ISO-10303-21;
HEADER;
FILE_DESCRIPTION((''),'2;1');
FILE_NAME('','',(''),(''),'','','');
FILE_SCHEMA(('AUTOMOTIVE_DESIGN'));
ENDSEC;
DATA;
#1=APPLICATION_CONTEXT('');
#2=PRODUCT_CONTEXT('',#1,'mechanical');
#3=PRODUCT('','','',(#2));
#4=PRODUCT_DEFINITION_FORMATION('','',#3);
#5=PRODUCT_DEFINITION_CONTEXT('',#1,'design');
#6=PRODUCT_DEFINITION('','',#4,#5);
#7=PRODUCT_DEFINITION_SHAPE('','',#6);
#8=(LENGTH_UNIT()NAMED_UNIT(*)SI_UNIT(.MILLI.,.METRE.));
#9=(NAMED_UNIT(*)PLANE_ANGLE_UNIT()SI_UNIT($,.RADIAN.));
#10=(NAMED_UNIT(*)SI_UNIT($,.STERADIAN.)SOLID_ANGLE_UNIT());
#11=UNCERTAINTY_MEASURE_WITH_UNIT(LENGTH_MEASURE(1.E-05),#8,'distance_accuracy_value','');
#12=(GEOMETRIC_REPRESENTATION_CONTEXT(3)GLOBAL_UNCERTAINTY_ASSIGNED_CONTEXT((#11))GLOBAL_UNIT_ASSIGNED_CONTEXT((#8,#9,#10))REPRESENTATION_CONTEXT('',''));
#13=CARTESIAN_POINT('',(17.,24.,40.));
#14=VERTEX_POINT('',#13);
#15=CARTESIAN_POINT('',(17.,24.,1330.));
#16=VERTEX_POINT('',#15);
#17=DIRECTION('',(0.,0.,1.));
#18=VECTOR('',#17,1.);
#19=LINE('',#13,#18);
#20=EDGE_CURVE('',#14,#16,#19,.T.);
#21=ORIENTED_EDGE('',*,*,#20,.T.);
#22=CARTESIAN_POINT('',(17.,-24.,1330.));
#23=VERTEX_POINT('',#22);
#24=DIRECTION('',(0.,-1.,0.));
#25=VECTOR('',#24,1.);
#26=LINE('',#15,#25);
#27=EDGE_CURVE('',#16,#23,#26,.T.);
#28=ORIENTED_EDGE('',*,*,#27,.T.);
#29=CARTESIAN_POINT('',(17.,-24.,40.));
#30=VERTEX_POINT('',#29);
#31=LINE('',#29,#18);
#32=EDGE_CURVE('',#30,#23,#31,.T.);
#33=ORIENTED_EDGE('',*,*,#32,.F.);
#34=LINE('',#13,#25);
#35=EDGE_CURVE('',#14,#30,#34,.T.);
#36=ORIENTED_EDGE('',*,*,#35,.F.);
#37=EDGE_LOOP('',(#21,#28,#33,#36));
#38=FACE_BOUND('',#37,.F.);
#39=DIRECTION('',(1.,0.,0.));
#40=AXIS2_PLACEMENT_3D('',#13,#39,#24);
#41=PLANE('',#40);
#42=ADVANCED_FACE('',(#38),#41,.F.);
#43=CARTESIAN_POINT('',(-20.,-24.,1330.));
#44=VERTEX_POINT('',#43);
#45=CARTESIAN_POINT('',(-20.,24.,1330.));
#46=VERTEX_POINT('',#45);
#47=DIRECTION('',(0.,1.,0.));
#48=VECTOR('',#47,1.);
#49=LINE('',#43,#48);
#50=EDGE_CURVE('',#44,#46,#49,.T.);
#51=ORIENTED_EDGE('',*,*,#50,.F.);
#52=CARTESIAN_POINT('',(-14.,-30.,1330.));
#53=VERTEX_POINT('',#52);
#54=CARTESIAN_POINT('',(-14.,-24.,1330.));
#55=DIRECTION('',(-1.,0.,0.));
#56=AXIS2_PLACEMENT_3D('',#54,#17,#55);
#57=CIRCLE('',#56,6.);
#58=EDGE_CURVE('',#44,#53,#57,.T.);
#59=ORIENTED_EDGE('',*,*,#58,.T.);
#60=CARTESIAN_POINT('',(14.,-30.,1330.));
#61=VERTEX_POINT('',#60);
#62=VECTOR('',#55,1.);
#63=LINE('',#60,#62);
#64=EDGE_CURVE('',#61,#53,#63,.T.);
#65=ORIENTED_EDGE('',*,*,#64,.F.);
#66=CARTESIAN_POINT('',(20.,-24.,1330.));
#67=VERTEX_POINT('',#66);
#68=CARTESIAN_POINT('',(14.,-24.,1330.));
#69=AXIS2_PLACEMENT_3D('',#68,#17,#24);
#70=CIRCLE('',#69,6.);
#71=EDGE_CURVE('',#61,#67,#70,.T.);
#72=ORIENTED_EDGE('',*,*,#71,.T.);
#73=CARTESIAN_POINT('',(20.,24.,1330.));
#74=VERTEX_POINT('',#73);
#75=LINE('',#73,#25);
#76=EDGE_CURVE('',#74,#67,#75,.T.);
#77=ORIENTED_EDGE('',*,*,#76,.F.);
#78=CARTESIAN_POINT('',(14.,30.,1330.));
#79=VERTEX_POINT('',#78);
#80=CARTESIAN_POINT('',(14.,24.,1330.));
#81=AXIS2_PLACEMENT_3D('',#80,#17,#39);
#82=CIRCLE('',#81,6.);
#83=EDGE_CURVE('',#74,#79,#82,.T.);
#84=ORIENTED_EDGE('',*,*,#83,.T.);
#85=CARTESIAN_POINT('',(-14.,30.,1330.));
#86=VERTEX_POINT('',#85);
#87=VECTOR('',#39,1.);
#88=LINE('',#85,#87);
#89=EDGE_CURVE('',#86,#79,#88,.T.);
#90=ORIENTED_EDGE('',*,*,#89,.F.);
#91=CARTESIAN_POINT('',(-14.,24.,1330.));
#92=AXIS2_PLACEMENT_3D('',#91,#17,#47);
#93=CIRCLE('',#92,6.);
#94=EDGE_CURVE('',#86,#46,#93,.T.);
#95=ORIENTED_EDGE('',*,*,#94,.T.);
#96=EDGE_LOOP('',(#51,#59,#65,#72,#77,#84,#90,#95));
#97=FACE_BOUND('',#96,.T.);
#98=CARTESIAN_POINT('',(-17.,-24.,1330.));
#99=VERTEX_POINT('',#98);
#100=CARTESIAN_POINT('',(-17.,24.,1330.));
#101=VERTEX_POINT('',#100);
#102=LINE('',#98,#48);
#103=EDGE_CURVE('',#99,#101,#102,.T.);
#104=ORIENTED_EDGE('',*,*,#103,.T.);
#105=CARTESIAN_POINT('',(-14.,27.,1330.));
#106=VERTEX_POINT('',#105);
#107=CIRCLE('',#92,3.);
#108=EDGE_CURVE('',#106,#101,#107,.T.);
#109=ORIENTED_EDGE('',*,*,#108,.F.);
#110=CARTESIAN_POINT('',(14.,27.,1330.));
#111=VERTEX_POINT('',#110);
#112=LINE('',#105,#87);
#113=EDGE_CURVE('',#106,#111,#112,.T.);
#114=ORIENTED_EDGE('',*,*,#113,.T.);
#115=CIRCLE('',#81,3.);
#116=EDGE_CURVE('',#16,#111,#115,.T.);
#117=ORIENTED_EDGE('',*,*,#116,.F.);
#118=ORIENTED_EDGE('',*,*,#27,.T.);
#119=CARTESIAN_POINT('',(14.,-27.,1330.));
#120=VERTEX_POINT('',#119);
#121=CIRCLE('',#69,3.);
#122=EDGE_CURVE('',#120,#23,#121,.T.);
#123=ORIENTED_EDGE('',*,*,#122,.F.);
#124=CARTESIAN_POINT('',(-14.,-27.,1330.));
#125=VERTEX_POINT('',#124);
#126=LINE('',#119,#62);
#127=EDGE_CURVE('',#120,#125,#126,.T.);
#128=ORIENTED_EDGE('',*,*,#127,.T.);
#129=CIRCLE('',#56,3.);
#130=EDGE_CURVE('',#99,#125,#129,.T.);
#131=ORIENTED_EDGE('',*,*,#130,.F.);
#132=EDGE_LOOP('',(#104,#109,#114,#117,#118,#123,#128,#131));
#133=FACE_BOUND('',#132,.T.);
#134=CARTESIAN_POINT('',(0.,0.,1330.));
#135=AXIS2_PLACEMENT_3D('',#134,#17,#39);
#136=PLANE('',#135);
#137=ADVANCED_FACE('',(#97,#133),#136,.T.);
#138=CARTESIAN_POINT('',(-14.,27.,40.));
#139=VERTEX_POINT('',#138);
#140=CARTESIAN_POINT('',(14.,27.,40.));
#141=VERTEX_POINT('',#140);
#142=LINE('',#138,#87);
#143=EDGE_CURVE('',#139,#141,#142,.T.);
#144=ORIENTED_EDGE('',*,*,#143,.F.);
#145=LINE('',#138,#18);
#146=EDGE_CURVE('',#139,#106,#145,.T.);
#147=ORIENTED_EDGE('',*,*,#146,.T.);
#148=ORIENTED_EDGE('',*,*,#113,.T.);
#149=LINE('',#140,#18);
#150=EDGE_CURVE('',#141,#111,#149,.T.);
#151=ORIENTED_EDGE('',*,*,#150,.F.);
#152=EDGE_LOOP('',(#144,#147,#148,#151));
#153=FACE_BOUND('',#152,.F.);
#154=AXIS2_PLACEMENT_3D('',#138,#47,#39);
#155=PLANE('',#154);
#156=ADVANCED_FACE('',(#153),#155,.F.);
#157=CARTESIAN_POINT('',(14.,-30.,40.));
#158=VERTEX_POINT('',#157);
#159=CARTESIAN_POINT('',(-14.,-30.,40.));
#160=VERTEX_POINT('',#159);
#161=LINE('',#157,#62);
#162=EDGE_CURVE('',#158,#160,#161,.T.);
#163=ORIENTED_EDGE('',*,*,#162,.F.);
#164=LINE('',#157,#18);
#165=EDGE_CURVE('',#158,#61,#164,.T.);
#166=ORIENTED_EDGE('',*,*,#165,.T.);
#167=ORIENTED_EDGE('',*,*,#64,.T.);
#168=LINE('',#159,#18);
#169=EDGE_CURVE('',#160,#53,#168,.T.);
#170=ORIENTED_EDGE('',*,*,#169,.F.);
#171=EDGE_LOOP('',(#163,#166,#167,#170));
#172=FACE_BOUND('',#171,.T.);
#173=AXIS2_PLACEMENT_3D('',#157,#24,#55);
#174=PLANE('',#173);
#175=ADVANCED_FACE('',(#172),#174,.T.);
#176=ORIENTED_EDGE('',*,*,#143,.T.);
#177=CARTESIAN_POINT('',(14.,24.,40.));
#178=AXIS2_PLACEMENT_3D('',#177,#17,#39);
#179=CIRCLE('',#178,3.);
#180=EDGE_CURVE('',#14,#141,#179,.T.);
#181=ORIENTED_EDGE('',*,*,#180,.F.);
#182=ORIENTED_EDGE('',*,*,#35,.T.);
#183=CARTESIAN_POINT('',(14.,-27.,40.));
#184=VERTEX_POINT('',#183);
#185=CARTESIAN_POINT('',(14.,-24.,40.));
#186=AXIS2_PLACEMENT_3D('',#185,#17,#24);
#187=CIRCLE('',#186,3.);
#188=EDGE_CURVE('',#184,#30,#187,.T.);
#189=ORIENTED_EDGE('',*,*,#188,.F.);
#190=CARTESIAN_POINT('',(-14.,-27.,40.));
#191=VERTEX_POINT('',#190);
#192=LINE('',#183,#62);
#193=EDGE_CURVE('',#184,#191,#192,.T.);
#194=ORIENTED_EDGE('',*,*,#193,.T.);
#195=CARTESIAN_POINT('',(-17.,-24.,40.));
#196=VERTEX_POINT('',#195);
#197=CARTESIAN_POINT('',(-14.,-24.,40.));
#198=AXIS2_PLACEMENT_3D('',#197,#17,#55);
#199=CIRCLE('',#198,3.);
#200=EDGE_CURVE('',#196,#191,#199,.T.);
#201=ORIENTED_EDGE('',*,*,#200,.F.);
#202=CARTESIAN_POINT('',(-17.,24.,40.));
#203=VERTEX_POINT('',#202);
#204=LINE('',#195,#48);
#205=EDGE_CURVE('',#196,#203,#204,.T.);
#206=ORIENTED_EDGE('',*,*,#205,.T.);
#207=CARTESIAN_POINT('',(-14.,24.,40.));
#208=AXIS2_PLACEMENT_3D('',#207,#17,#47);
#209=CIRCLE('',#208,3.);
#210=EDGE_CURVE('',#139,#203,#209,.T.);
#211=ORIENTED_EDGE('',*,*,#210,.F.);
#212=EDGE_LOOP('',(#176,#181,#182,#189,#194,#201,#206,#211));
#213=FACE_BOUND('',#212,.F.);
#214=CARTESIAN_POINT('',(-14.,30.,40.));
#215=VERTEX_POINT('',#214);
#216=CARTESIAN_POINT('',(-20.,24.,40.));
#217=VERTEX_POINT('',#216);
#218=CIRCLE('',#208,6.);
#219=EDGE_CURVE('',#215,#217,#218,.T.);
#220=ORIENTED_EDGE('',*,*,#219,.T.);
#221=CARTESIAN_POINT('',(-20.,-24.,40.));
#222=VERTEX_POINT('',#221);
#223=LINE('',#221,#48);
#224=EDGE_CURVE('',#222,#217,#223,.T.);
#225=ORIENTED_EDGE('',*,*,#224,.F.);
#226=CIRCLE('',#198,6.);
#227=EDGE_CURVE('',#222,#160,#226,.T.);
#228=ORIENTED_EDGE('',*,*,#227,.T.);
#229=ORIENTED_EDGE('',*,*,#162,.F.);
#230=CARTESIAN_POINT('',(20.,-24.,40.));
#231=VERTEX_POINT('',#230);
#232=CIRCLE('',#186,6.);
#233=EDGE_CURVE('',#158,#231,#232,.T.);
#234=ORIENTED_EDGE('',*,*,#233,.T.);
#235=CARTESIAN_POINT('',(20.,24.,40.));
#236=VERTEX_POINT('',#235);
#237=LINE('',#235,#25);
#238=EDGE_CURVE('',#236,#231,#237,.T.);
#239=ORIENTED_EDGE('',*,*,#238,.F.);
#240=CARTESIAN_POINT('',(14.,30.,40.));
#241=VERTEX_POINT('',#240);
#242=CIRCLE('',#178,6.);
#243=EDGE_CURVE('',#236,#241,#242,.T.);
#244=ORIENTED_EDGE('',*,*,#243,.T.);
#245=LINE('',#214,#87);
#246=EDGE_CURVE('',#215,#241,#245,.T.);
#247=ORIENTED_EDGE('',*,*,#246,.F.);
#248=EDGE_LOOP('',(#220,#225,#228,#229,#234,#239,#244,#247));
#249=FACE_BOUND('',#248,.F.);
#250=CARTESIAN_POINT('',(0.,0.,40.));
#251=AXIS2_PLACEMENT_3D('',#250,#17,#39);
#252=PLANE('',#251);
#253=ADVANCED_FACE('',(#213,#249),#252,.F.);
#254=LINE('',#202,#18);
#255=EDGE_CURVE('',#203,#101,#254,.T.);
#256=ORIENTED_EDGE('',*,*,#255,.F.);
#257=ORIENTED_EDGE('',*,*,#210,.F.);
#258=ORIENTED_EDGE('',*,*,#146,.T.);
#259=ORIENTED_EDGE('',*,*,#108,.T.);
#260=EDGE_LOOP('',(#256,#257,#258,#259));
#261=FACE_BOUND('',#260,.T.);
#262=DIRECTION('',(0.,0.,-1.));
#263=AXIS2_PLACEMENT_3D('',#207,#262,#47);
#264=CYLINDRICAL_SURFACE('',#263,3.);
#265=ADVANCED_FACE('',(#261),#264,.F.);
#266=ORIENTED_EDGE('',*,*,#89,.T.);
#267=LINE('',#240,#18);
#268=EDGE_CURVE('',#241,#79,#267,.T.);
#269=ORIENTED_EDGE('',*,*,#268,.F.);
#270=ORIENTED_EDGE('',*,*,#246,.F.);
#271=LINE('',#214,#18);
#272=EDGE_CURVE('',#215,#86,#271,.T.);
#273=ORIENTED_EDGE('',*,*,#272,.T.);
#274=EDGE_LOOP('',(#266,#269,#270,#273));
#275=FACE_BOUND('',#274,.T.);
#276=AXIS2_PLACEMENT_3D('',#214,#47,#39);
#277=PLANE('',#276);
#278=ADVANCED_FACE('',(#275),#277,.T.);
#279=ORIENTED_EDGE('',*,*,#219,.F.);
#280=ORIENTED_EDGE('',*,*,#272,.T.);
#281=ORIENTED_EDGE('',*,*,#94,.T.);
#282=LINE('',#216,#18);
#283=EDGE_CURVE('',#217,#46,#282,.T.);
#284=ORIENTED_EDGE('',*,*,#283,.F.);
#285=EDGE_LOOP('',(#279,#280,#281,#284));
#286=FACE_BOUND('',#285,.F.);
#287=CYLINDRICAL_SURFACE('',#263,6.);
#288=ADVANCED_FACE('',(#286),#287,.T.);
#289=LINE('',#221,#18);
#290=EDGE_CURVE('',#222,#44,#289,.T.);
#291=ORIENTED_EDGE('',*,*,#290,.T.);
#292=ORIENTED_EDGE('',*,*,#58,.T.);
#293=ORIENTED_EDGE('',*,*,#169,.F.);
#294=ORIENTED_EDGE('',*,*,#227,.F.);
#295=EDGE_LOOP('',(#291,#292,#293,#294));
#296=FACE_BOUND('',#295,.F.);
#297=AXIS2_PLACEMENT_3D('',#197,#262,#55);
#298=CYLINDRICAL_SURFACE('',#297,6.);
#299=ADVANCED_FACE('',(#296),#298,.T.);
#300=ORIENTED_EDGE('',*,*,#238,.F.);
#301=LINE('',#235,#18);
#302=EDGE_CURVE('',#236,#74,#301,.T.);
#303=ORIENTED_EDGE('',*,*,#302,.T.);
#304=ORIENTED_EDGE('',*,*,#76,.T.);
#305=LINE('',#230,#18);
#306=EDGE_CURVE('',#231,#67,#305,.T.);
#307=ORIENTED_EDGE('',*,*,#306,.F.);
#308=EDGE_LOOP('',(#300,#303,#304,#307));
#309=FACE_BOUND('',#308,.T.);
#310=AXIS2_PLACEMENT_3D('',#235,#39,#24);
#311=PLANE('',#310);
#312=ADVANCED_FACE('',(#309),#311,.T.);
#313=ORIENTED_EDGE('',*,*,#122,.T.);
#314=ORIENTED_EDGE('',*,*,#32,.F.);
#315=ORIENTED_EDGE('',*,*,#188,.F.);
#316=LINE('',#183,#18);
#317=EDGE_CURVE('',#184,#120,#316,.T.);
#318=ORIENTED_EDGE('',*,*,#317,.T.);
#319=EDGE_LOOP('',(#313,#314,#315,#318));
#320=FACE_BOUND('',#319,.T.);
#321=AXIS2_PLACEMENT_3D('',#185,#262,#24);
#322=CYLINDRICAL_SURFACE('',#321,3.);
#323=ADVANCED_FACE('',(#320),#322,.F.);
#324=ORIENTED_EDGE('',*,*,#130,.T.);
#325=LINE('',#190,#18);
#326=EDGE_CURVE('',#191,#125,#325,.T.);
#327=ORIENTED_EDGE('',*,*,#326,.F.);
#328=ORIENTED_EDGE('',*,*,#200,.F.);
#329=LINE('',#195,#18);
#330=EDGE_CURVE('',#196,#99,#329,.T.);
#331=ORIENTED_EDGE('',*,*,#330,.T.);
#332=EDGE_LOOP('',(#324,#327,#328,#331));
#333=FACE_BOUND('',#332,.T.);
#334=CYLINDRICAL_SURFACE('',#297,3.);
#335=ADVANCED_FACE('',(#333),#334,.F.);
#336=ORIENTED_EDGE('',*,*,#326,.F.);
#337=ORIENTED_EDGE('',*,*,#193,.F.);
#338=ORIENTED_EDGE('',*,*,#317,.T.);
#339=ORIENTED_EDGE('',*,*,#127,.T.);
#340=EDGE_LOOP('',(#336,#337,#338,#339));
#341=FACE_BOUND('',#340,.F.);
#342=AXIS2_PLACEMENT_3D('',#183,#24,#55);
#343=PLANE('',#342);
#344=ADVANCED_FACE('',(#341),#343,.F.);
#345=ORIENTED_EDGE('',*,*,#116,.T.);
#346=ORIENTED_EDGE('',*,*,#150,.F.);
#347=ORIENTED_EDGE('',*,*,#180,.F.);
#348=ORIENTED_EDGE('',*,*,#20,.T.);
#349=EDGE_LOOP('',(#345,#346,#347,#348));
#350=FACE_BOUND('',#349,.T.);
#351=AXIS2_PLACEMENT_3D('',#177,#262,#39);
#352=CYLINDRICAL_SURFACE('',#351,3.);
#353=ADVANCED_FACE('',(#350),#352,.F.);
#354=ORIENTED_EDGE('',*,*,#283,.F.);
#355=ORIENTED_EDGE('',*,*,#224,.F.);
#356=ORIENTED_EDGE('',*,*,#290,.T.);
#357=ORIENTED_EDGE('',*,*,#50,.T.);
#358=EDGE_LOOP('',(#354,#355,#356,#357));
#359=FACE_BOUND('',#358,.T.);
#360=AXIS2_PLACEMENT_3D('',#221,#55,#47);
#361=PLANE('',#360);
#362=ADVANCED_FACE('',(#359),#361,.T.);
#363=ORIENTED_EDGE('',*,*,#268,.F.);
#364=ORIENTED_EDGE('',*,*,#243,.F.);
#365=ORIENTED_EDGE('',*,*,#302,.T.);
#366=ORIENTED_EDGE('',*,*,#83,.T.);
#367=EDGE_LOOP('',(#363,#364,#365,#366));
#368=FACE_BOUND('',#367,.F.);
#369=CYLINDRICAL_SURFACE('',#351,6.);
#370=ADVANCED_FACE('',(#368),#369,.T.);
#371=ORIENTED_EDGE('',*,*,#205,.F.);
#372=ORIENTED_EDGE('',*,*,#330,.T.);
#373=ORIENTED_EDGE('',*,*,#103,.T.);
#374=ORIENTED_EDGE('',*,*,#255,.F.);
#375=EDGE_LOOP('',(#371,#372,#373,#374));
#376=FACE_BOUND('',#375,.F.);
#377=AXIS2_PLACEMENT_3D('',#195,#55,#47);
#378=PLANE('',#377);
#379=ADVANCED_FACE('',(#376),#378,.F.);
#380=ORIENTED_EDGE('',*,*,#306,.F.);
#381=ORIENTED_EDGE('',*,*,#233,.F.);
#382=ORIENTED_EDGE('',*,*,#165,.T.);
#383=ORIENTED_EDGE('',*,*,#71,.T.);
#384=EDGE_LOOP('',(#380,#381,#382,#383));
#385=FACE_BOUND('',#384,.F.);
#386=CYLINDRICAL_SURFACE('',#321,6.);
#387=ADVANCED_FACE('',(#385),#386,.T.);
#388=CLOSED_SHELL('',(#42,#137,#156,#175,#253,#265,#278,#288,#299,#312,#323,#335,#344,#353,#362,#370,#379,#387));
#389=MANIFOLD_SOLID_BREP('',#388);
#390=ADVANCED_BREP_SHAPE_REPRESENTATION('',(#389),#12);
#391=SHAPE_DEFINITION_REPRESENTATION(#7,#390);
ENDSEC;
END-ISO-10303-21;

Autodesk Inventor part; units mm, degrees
ref_plane "YZ Plane" through (0, 0, 0) normal (1, 0, 0) x (0, 1, 0)
ref_plane "Start Plane" through (0, 0, 40) normal (0, 0, 1) x (1, 0, 0)
ref_plane "End Plane" through (0, 0, 1330) normal (0, 0, 1) x (1, 0, 0)
sketch "Sketch" plane through (0, 0, 0) normal (0, 0, 1) x (1, 0, 0)
  line L0 (-20, -24) -> (-20, 24)
  line L1 (-14, 30) -> (14, 30)
  line L2 (20, 24) -> (20, -24)
  line L3 (14, -30) -> (-14, -30)
  arc A0 (-20, -24) -> (-14, -30) centre (-14, -24) ccw
  arc A1 (20, 24) -> (14, 30) centre (14, 24) ccw
  arc A2 (-14, 30) -> (-20, 24) centre (-14, 24) ccw
  arc A3 (14, -30) -> (20, -24) centre (14, -24) ccw
  arc A4 (-14, 27) -> (-17, 24) centre (-14, 24) ccw
  line L4 (-14, 27) -> (14, 27)
  arc A5 (17, 24) -> (14, 27) centre (14, 24) ccw
  line L5 (17, 24) -> (17, -24)
  arc A6 (14, -27) -> (17, -24) centre (14, -24) ccw
  line L6 (14, -27) -> (-14, -27)
  arc A7 (-17, -24) -> (-14, -27) centre (-14, -24) ccw
  line L7 (-17, -24) -> (-17, 24)
  line L8 (0, 43.7397) -> (0, -43.7397) construction
  line L9 (-29.7397, 0) -> (29.7397, 0) construction
  dimension "d7" = 6
  dimension "d9" = 40
  dimension "d11" = 60
  dimension "d12" = 3
  dimension "d15" = 20
  dimension "d16" = 30
extrude "Body" add sketch "Sketch" along normal up to surface (1290 mm away) from surface at 40
sketch "Sketch3" plane through (0, 0, 0) normal (0, 0, 1) x (1, 0, 0)
  line L0 (0, 0) -> (10, 0)
ref_plane "Work Plane3" through (0, 0, 0) normal (0, -1, 0) x (1, 0, 0)
sketch "Sketch4" plane through (0, 0, 0) normal (0, -1, 0) x (1, 0, 0)
  line L0 (-2, 40) -> (12, 40) projected
  line L1 (-2, 1330) -> (12, 1330) projected
  dimension "d18" = 1290
equation "\"d7\" = G_IR"
equation "\"d9\" = G_W"
equation "\"d11\" = G_H"
equation "\"d12\" = G_T"
equation "\"d15\" = 0.5 * d9"
equation "\"d16\" = 0.5 * d11"
equation "\"d3\" = G_L"
equation "\"G_W\" = 40"
equation "\"G_H\" = 60"
equation "\"G_T\" = 3"
equation "\"G_IR\" = 6"
equation "\"G_L\" = d18"
properties part number "ISO 4019 - 60x40x3 - 1290" material "Steel, Mild"
